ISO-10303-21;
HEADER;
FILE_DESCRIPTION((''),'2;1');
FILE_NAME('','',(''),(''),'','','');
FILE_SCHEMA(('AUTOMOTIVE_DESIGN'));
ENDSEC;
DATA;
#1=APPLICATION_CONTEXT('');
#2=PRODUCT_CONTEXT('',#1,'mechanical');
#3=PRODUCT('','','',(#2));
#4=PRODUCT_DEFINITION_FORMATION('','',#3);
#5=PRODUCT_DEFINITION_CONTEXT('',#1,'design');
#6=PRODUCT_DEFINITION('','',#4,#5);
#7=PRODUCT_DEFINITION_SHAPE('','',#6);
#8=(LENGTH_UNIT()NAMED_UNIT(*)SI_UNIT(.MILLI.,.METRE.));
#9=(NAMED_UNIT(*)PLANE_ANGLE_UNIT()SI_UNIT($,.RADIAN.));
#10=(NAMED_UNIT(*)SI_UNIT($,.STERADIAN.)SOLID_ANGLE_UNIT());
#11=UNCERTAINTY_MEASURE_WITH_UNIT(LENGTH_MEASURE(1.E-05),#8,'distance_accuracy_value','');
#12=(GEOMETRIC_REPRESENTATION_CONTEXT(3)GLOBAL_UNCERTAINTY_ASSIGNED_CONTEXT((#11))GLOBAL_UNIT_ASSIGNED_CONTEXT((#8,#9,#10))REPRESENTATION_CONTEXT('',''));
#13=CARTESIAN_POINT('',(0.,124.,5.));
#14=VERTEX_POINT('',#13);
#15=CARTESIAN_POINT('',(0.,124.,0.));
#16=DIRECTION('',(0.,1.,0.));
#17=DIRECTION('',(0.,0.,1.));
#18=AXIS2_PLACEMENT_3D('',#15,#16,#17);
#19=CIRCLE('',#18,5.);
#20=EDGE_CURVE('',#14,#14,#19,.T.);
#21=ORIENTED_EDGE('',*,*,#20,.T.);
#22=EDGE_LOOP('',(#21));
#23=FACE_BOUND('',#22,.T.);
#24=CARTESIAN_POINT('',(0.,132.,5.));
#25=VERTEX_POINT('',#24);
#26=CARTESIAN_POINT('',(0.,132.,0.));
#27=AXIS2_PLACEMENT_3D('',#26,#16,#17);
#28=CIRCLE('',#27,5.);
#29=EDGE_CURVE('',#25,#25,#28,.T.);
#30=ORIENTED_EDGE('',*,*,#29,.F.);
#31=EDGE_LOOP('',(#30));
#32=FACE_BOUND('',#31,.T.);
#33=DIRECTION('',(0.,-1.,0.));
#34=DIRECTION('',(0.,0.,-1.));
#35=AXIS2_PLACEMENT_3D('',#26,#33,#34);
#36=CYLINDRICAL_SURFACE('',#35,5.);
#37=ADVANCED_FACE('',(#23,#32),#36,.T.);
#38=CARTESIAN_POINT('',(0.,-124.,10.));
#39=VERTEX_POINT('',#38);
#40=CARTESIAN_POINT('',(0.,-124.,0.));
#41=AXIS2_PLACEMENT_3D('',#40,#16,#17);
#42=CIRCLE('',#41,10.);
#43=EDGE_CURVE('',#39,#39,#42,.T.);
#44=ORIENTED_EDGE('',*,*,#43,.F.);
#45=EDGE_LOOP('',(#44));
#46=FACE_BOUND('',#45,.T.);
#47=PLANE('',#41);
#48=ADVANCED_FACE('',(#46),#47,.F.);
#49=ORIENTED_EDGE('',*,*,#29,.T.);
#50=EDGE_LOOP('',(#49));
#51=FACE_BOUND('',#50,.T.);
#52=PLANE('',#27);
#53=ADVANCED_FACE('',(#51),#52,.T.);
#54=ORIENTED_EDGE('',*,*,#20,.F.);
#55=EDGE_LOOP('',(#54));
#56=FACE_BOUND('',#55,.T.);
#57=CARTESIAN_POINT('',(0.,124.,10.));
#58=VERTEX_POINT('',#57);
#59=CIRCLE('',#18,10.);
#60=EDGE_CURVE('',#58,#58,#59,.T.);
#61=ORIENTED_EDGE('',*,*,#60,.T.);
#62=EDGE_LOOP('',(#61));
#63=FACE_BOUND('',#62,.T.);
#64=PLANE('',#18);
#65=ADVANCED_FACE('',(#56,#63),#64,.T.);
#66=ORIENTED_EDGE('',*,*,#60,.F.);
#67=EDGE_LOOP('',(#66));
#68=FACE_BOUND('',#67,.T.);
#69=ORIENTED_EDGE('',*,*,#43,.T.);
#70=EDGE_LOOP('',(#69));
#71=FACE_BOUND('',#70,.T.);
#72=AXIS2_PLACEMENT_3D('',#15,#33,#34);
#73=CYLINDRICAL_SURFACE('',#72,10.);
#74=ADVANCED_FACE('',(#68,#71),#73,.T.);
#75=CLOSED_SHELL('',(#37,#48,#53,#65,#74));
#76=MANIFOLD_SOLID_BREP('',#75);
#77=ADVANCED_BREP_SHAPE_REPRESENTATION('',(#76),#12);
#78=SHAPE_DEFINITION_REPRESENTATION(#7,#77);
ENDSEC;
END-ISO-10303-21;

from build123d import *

# Parameters (mm, degrees)
SKETCH1_R           = 10
BOSS_EXTRUDE1_DEPTH = 124
SKETCH2_R           = 5
BOSS_EXTRUDE2_DEPTH = 8


with BuildPart() as part:
    # Sketch1 → Boss-Extrude1 (new, symmetric)
    with BuildSketch(Plane(origin=(0, 0, 0), x_dir=(1, 0, 0), z_dir=(0, 1, 0))):
        with Locations(Location((0, 0, 0), (0, 0, 270))):
            Circle(SKETCH1_R)
    extrude(amount=BOSS_EXTRUDE1_DEPTH, both=True)

    # Sketch2 → Boss-Extrude2 (add)
    with BuildSketch(Plane(origin=(0, 124, 0), x_dir=(1, 0, 0), z_dir=(0, 1, 0))):
        with Locations(Location((0, 0, 0), (0, 0, 270))):
            Circle(SKETCH2_R)
    extrude(amount=BOSS_EXTRUDE2_DEPTH)


solid = part.part
